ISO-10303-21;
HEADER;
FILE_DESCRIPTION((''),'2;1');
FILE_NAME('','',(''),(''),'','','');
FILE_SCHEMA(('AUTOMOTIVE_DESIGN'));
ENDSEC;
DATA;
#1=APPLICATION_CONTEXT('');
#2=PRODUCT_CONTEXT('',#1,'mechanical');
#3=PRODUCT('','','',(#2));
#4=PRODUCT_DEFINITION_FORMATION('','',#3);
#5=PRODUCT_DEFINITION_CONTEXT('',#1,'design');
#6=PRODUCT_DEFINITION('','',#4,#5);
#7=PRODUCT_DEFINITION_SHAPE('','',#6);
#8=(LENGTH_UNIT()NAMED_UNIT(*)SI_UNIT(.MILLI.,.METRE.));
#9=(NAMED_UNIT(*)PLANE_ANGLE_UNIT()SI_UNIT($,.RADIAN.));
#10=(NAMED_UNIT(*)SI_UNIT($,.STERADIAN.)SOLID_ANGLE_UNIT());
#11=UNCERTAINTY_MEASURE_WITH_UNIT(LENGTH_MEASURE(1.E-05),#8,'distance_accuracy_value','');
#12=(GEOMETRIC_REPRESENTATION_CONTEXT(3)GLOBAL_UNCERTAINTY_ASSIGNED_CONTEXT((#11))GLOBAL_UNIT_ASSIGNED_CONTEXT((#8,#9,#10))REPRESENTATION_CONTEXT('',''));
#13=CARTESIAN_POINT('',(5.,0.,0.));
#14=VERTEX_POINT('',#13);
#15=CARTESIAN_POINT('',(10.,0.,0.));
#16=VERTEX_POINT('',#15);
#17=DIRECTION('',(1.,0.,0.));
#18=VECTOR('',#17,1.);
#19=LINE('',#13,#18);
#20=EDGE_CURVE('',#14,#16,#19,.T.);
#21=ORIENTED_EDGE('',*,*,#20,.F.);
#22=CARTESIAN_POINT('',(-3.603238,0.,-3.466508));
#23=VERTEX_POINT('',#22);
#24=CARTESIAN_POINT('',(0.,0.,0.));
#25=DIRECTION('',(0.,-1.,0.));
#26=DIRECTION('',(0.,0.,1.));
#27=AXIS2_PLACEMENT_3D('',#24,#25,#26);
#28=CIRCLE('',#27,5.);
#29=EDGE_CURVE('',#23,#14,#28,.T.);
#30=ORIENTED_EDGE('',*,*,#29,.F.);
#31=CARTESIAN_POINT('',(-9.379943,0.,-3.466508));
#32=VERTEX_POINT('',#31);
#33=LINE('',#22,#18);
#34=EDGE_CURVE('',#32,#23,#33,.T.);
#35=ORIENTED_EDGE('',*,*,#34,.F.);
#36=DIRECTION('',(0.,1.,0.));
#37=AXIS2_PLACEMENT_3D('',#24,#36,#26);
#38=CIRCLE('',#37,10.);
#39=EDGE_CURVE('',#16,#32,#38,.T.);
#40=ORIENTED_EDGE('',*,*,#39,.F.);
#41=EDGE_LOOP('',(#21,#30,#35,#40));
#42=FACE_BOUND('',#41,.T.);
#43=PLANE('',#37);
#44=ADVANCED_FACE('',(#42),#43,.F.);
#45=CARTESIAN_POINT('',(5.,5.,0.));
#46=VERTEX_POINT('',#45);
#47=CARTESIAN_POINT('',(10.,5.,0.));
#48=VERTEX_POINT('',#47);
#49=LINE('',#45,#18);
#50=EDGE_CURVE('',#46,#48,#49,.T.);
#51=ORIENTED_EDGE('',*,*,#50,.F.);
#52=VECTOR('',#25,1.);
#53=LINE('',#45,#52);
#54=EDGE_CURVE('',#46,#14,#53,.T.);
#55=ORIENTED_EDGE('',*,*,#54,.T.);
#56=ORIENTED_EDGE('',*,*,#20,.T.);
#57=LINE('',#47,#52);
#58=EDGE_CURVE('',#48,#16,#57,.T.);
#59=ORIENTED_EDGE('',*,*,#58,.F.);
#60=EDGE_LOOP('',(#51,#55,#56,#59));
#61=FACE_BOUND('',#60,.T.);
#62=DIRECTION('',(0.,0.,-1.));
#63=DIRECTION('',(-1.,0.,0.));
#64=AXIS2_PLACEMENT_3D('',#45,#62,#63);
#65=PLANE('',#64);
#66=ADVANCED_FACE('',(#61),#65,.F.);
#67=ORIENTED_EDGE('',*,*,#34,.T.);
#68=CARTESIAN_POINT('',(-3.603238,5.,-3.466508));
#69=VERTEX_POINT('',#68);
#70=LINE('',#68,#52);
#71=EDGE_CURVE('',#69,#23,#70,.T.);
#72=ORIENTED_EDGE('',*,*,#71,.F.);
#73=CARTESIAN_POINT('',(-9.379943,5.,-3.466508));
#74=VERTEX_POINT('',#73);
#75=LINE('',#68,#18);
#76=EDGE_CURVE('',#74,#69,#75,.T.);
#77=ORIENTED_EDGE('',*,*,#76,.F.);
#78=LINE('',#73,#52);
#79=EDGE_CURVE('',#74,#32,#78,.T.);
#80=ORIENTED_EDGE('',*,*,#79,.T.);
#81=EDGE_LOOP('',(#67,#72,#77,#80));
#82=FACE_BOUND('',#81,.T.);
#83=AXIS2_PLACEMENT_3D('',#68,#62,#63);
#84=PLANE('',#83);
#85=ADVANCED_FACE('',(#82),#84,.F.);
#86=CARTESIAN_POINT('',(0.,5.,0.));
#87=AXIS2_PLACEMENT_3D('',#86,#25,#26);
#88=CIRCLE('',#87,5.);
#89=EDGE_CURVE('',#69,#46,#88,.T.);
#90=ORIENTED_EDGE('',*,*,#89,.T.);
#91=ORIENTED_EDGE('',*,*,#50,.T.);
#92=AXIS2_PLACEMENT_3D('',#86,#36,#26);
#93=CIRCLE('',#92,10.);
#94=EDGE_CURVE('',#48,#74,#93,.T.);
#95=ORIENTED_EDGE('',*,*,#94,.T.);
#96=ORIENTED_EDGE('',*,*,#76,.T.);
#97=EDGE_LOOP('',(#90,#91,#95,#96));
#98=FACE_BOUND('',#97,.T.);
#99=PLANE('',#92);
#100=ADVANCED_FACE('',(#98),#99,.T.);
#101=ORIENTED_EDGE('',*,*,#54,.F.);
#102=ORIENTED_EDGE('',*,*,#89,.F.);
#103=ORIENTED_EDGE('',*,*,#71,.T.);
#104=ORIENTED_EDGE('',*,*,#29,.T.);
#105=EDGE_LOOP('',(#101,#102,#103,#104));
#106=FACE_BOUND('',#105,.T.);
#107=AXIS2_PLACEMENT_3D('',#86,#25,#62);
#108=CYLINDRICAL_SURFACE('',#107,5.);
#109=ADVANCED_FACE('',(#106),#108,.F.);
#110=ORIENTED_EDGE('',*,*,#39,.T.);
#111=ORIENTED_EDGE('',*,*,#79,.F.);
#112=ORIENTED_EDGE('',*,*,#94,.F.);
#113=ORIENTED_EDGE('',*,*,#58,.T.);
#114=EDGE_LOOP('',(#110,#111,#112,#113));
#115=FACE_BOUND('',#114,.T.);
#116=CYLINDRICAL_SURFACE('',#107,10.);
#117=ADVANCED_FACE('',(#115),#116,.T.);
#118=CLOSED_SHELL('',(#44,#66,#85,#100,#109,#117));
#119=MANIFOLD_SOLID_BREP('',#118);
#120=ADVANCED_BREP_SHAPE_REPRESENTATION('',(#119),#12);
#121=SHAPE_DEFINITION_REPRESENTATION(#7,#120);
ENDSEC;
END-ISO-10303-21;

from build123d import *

# Parameters (mm, degrees)
BOSS_EXTRUDE1_DEPTH = 5


with BuildPart() as part:
    # Sketch1 → Boss-Extrude1 (new body)
    with BuildSketch(Plane(origin=(0, 0, 0), x_dir=(1, 0, 0), z_dir=(0, 1, 0))):
        with BuildLine():
            Line((5, 0), (10, 0))
            ThreePointArc((10, 0), (1.760763185, 9.843765184), (-9.379942601, 3.466507868))
            Line((-9.379942601, 3.466507868), (-3.603237877, 3.466507868))
            ThreePointArc((-3.603237877, 3.466507868), (1.868664043, 4.637682039), (5, 0))
        make_face()
    extrude(amount=BOSS_EXTRUDE1_DEPTH)


solid = part.part
